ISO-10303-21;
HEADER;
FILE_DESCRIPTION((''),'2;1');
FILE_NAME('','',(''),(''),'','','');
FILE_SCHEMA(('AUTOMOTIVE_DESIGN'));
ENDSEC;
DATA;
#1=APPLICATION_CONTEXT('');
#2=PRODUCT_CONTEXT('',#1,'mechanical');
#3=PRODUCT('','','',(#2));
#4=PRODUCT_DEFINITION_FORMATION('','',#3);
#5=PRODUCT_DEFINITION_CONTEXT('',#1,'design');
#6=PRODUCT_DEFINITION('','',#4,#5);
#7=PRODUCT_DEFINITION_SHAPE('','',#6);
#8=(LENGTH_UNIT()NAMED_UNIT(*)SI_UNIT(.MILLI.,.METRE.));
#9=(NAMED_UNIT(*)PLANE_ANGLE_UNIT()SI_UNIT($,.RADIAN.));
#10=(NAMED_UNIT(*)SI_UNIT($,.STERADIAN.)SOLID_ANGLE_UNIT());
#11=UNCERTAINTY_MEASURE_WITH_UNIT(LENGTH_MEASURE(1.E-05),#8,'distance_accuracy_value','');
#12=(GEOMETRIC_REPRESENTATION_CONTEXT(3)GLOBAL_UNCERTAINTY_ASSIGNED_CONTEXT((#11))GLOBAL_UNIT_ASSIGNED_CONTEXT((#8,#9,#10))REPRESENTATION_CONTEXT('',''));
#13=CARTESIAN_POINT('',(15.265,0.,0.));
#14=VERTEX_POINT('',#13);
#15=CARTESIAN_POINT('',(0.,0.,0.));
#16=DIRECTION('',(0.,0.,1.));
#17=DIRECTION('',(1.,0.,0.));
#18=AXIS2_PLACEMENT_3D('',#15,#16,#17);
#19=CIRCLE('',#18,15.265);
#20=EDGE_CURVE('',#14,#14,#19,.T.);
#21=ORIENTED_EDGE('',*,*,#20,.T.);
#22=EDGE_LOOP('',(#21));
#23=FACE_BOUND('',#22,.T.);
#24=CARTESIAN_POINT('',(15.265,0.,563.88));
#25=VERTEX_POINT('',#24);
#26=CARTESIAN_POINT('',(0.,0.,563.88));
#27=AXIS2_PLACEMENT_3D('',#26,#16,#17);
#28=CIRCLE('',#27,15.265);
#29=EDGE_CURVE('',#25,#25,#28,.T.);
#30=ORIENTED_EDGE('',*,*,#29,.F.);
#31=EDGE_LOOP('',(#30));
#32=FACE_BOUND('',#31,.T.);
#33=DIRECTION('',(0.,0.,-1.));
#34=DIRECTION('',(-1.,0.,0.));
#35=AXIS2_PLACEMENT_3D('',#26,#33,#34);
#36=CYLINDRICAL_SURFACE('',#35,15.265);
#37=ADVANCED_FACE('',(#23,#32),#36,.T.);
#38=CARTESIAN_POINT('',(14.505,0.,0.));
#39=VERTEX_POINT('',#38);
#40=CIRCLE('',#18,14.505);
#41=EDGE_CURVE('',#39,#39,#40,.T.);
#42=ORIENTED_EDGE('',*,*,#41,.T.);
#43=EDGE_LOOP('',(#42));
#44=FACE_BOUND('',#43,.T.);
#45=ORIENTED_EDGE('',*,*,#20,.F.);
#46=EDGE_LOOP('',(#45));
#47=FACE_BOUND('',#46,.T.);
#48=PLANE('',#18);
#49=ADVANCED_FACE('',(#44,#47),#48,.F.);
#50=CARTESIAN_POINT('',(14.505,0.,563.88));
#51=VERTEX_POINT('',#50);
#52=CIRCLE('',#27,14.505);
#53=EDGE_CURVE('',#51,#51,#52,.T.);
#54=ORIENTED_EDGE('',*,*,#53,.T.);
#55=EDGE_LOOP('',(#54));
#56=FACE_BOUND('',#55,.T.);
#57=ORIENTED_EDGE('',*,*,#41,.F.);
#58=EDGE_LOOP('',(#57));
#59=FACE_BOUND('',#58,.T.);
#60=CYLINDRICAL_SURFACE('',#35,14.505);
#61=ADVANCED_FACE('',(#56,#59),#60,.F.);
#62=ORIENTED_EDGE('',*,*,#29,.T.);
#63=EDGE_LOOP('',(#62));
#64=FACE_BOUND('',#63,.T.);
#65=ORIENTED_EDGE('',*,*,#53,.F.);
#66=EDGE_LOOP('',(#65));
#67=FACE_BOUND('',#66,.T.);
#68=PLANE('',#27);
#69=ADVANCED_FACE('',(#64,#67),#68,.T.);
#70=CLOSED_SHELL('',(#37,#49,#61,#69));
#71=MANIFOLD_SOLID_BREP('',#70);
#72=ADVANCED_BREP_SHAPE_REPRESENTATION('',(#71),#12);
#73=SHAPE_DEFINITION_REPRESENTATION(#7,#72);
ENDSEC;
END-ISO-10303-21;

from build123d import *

# Parameters (mm, degrees)
SKETCH1_R           = 15.265
SKETCH1_R_2         = 14.505
BOSS_EXTRUDE1_DEPTH = 563.88


with BuildPart() as part:
    # Sketch1 → Boss-Extrude1 (new body)
    with BuildSketch(Plane.XY):
        Circle(SKETCH1_R)
        Circle(SKETCH1_R_2, mode=Mode.SUBTRACT)
    extrude(amount=BOSS_EXTRUDE1_DEPTH)


solid = part.part
